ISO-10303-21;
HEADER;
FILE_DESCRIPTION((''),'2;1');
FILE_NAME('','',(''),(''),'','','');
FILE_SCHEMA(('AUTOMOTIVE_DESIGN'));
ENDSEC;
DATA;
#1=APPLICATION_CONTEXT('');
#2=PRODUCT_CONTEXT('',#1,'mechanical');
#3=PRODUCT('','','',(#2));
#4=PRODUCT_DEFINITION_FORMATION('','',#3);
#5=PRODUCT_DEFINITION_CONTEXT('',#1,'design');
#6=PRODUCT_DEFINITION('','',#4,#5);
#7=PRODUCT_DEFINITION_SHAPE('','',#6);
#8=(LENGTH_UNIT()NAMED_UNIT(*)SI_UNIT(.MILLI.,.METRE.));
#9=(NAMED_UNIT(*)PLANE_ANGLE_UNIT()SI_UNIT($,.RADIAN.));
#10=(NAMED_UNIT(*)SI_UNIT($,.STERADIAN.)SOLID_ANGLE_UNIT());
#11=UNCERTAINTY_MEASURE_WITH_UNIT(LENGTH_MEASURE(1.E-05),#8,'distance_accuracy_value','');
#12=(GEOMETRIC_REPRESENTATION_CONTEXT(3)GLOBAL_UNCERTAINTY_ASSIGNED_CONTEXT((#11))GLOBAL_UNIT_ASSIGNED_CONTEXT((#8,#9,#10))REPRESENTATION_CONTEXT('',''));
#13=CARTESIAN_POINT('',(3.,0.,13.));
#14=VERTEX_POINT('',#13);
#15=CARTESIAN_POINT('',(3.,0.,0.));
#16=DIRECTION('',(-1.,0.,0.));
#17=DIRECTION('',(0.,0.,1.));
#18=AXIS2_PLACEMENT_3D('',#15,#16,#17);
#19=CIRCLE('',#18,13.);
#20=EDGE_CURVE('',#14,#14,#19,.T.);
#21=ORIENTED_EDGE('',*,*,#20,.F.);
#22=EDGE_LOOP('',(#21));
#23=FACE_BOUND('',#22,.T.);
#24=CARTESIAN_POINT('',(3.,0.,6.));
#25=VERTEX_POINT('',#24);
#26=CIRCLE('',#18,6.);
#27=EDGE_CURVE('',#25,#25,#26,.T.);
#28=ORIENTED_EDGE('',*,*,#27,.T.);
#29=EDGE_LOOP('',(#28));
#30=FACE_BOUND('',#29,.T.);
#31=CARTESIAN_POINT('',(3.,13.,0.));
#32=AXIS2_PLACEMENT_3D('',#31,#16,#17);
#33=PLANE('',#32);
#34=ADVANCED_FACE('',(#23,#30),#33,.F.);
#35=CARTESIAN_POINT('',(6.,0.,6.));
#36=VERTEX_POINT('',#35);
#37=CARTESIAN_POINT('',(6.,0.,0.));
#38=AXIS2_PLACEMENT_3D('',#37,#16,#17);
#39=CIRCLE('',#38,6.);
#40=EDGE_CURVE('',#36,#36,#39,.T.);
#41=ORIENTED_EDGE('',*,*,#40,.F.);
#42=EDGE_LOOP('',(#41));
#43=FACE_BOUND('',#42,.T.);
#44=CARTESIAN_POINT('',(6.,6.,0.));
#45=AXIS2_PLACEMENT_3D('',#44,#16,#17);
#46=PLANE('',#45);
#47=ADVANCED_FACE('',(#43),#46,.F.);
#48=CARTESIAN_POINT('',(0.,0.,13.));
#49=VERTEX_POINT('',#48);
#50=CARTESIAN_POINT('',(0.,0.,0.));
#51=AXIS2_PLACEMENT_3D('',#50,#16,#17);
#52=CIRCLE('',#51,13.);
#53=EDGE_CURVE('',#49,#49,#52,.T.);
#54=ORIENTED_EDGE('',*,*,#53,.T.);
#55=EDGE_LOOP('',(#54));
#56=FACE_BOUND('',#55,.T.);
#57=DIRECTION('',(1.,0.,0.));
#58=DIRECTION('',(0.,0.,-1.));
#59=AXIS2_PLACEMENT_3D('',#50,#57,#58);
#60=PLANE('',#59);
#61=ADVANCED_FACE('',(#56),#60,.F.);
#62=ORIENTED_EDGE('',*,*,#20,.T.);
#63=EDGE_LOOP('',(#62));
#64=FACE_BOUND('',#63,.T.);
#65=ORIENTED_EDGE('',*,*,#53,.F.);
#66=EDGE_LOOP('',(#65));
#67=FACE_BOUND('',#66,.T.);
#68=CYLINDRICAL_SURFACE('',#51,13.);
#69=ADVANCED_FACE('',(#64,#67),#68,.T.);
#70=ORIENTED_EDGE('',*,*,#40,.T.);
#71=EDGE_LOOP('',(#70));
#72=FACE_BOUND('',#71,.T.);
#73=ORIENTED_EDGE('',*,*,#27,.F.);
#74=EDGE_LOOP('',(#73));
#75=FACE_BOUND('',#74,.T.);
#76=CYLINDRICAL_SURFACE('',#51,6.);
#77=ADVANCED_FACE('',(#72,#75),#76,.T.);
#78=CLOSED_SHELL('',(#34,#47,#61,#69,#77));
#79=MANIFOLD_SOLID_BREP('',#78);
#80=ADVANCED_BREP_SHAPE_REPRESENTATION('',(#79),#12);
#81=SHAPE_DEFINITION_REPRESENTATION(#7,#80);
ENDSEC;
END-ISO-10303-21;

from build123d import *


with BuildPart() as part:
    # Эскиз1 → Повернуть1 (revolve)
    with BuildSketch(Plane.XY, mode=Mode.PRIVATE) as revolve_1_sk:
        Polygon((0, 0), (0, 13), (3, 13), (3, 6), (6, 6), (6, 0), align=None)
    revolve(revolve_1_sk.sketch.rotate(Axis((0, 0, 0), (1, 0, 0)), 90), axis=Axis((0, 0, 0), (1, 0, 0)))


solid = part.part
